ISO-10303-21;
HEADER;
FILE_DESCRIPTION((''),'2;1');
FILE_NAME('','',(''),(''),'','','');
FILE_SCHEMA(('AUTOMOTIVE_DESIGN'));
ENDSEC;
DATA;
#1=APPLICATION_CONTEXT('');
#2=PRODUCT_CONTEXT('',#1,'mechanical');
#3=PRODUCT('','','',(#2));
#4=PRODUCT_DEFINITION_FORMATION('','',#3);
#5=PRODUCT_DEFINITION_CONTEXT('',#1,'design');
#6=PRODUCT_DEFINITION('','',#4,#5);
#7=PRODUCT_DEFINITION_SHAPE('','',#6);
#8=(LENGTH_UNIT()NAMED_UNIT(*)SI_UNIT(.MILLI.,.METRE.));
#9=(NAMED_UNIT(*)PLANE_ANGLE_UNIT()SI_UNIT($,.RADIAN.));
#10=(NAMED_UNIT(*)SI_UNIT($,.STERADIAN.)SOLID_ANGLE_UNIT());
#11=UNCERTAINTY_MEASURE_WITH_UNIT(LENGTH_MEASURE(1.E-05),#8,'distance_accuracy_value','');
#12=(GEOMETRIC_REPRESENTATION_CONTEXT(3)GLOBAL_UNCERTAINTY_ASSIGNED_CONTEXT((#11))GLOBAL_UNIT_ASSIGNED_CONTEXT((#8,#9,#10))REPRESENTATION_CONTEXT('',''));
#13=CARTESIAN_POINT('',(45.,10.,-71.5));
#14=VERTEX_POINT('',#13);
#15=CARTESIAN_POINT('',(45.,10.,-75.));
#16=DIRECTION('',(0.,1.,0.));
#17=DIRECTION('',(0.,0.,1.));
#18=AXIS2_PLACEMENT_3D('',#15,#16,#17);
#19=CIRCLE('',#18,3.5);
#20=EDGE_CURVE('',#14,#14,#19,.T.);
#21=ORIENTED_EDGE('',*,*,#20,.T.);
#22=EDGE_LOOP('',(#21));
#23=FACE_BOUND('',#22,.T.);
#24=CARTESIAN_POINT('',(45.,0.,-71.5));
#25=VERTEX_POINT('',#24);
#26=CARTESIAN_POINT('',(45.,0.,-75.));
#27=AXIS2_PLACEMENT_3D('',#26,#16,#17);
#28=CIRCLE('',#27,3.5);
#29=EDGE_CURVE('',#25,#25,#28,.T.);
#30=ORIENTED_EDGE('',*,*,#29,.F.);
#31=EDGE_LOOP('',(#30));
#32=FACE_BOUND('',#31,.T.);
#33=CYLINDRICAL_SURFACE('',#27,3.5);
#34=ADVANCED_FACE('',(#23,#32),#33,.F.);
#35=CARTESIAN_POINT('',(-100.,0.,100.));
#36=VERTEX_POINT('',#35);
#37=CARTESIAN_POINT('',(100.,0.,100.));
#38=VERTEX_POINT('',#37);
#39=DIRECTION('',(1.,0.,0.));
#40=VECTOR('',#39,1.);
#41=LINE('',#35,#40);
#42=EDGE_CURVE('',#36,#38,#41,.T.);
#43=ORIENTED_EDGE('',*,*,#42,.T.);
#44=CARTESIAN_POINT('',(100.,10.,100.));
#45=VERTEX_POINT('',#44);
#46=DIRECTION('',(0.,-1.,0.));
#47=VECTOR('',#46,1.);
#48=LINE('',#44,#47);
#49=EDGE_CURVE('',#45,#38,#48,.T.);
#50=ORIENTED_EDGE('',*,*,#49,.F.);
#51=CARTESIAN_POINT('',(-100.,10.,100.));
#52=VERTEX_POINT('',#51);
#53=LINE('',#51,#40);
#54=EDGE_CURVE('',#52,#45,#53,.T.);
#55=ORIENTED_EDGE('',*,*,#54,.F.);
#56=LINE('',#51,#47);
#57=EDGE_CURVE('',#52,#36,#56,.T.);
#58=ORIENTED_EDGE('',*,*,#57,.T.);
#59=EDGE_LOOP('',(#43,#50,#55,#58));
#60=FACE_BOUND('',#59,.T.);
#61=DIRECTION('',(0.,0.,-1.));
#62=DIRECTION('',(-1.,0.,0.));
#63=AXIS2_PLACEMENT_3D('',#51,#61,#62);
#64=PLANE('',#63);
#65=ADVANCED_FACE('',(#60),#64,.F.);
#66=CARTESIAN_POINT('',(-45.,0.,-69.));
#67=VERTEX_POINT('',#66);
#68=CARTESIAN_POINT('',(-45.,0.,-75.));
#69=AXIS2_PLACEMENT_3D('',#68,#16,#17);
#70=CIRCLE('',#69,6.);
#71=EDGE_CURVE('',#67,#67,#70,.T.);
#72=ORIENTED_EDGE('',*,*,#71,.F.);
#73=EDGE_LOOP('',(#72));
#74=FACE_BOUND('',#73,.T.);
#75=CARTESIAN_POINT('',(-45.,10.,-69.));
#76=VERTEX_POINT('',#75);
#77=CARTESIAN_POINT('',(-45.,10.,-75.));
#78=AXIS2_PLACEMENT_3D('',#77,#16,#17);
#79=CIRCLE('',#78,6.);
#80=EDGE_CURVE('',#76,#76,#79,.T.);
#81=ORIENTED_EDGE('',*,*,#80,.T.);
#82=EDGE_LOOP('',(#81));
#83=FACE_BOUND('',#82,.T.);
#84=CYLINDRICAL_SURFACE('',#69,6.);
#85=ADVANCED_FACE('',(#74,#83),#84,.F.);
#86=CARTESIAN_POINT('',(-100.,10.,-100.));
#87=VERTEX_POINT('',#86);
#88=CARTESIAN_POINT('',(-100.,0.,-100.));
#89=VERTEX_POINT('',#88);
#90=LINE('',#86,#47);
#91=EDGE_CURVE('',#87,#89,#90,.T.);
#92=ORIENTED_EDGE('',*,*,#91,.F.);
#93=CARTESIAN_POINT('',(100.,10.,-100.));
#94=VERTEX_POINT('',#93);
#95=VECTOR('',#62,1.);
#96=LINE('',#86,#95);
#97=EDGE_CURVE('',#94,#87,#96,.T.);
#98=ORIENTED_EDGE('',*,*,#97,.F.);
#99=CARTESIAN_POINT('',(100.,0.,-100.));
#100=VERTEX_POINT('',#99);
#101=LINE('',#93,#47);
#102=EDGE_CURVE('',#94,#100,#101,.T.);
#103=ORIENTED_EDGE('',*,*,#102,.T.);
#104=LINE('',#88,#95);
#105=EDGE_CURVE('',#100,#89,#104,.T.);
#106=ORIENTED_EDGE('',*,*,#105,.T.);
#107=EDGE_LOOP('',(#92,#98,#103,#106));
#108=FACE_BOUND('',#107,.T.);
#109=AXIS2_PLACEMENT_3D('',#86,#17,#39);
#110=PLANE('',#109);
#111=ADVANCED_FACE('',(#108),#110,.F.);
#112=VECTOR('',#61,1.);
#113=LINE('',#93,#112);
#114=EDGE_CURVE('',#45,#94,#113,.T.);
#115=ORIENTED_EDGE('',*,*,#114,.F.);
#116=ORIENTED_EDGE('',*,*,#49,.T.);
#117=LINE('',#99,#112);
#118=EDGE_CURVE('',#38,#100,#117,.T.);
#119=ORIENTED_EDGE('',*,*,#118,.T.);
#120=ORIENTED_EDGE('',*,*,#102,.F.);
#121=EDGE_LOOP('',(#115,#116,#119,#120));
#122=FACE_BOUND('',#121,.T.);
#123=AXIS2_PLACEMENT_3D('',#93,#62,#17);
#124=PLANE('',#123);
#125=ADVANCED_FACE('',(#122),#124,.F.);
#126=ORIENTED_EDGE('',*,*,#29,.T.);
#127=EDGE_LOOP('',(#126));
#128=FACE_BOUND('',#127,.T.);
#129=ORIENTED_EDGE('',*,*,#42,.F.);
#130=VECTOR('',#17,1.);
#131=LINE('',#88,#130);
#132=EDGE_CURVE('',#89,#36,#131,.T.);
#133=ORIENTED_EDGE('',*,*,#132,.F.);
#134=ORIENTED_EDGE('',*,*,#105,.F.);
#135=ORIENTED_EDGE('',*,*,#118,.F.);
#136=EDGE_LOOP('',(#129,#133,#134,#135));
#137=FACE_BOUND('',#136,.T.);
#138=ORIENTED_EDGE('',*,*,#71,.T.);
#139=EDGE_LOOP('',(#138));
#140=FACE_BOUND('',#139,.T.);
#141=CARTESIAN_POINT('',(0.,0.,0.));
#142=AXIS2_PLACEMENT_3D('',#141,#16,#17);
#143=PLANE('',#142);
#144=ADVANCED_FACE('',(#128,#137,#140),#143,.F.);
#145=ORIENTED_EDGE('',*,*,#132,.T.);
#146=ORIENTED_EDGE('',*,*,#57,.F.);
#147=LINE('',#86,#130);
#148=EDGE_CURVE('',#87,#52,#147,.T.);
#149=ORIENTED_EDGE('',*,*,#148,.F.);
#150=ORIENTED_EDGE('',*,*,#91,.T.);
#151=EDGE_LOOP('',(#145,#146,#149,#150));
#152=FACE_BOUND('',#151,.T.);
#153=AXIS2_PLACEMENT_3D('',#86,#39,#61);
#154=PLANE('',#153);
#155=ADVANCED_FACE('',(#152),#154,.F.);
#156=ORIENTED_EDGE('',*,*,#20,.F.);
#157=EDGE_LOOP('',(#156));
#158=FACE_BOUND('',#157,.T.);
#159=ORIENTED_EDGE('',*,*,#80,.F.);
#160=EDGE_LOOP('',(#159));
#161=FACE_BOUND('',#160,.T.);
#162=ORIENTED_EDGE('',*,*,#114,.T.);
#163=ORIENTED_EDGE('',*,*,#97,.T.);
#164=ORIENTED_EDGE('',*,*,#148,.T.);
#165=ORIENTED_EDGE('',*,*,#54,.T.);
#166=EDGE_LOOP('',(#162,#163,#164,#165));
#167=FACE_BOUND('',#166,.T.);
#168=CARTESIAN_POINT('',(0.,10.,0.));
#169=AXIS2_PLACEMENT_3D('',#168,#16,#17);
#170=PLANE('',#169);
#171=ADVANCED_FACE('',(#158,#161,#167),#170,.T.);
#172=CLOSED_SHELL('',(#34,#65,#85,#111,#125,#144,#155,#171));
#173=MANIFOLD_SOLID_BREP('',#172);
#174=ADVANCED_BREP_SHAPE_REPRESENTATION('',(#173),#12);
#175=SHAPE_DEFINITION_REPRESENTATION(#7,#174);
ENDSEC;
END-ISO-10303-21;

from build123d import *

# Parameters (mm, degrees)
SKETCH1_W           = 200
SKETCH1_H           = 200
BOSS_EXTRUDE1_DEPTH = 10
SKETCH2_R           = 3.5
CUT_EXTRUDE1_DEPTH  = 11
SKETCH3_R           = 6
CUT_EXTRUDE2_DEPTH  = 11


with BuildPart() as part:
    # Sketch1 → Boss-Extrude1 (new body)
    with BuildSketch(Plane(origin=(0, 0, 0), x_dir=(1, 0, 0), z_dir=(0, 1, 0))):
        Rectangle(SKETCH1_W, SKETCH1_H)
    extrude(amount=BOSS_EXTRUDE1_DEPTH)

    # Sketch2 → Cut-Extrude1 (cut, through all)
    with BuildSketch(Plane(origin=(0, 10, 0), x_dir=(1, 0, 0), z_dir=(0, 1, 0))):
        with Locations((45, 75)):
            Circle(SKETCH2_R)
    extrude(amount=-CUT_EXTRUDE1_DEPTH, mode=Mode.SUBTRACT)

    # Sketch3 → Cut-Extrude2 (cut, through all)
    with BuildSketch(Plane(origin=(0, 10, 0), x_dir=(1, 0, 0), z_dir=(0, 1, 0))):
        with Locations((-45, 75)):
            Circle(SKETCH3_R)
    extrude(amount=-CUT_EXTRUDE2_DEPTH, mode=Mode.SUBTRACT)


solid = part.part
